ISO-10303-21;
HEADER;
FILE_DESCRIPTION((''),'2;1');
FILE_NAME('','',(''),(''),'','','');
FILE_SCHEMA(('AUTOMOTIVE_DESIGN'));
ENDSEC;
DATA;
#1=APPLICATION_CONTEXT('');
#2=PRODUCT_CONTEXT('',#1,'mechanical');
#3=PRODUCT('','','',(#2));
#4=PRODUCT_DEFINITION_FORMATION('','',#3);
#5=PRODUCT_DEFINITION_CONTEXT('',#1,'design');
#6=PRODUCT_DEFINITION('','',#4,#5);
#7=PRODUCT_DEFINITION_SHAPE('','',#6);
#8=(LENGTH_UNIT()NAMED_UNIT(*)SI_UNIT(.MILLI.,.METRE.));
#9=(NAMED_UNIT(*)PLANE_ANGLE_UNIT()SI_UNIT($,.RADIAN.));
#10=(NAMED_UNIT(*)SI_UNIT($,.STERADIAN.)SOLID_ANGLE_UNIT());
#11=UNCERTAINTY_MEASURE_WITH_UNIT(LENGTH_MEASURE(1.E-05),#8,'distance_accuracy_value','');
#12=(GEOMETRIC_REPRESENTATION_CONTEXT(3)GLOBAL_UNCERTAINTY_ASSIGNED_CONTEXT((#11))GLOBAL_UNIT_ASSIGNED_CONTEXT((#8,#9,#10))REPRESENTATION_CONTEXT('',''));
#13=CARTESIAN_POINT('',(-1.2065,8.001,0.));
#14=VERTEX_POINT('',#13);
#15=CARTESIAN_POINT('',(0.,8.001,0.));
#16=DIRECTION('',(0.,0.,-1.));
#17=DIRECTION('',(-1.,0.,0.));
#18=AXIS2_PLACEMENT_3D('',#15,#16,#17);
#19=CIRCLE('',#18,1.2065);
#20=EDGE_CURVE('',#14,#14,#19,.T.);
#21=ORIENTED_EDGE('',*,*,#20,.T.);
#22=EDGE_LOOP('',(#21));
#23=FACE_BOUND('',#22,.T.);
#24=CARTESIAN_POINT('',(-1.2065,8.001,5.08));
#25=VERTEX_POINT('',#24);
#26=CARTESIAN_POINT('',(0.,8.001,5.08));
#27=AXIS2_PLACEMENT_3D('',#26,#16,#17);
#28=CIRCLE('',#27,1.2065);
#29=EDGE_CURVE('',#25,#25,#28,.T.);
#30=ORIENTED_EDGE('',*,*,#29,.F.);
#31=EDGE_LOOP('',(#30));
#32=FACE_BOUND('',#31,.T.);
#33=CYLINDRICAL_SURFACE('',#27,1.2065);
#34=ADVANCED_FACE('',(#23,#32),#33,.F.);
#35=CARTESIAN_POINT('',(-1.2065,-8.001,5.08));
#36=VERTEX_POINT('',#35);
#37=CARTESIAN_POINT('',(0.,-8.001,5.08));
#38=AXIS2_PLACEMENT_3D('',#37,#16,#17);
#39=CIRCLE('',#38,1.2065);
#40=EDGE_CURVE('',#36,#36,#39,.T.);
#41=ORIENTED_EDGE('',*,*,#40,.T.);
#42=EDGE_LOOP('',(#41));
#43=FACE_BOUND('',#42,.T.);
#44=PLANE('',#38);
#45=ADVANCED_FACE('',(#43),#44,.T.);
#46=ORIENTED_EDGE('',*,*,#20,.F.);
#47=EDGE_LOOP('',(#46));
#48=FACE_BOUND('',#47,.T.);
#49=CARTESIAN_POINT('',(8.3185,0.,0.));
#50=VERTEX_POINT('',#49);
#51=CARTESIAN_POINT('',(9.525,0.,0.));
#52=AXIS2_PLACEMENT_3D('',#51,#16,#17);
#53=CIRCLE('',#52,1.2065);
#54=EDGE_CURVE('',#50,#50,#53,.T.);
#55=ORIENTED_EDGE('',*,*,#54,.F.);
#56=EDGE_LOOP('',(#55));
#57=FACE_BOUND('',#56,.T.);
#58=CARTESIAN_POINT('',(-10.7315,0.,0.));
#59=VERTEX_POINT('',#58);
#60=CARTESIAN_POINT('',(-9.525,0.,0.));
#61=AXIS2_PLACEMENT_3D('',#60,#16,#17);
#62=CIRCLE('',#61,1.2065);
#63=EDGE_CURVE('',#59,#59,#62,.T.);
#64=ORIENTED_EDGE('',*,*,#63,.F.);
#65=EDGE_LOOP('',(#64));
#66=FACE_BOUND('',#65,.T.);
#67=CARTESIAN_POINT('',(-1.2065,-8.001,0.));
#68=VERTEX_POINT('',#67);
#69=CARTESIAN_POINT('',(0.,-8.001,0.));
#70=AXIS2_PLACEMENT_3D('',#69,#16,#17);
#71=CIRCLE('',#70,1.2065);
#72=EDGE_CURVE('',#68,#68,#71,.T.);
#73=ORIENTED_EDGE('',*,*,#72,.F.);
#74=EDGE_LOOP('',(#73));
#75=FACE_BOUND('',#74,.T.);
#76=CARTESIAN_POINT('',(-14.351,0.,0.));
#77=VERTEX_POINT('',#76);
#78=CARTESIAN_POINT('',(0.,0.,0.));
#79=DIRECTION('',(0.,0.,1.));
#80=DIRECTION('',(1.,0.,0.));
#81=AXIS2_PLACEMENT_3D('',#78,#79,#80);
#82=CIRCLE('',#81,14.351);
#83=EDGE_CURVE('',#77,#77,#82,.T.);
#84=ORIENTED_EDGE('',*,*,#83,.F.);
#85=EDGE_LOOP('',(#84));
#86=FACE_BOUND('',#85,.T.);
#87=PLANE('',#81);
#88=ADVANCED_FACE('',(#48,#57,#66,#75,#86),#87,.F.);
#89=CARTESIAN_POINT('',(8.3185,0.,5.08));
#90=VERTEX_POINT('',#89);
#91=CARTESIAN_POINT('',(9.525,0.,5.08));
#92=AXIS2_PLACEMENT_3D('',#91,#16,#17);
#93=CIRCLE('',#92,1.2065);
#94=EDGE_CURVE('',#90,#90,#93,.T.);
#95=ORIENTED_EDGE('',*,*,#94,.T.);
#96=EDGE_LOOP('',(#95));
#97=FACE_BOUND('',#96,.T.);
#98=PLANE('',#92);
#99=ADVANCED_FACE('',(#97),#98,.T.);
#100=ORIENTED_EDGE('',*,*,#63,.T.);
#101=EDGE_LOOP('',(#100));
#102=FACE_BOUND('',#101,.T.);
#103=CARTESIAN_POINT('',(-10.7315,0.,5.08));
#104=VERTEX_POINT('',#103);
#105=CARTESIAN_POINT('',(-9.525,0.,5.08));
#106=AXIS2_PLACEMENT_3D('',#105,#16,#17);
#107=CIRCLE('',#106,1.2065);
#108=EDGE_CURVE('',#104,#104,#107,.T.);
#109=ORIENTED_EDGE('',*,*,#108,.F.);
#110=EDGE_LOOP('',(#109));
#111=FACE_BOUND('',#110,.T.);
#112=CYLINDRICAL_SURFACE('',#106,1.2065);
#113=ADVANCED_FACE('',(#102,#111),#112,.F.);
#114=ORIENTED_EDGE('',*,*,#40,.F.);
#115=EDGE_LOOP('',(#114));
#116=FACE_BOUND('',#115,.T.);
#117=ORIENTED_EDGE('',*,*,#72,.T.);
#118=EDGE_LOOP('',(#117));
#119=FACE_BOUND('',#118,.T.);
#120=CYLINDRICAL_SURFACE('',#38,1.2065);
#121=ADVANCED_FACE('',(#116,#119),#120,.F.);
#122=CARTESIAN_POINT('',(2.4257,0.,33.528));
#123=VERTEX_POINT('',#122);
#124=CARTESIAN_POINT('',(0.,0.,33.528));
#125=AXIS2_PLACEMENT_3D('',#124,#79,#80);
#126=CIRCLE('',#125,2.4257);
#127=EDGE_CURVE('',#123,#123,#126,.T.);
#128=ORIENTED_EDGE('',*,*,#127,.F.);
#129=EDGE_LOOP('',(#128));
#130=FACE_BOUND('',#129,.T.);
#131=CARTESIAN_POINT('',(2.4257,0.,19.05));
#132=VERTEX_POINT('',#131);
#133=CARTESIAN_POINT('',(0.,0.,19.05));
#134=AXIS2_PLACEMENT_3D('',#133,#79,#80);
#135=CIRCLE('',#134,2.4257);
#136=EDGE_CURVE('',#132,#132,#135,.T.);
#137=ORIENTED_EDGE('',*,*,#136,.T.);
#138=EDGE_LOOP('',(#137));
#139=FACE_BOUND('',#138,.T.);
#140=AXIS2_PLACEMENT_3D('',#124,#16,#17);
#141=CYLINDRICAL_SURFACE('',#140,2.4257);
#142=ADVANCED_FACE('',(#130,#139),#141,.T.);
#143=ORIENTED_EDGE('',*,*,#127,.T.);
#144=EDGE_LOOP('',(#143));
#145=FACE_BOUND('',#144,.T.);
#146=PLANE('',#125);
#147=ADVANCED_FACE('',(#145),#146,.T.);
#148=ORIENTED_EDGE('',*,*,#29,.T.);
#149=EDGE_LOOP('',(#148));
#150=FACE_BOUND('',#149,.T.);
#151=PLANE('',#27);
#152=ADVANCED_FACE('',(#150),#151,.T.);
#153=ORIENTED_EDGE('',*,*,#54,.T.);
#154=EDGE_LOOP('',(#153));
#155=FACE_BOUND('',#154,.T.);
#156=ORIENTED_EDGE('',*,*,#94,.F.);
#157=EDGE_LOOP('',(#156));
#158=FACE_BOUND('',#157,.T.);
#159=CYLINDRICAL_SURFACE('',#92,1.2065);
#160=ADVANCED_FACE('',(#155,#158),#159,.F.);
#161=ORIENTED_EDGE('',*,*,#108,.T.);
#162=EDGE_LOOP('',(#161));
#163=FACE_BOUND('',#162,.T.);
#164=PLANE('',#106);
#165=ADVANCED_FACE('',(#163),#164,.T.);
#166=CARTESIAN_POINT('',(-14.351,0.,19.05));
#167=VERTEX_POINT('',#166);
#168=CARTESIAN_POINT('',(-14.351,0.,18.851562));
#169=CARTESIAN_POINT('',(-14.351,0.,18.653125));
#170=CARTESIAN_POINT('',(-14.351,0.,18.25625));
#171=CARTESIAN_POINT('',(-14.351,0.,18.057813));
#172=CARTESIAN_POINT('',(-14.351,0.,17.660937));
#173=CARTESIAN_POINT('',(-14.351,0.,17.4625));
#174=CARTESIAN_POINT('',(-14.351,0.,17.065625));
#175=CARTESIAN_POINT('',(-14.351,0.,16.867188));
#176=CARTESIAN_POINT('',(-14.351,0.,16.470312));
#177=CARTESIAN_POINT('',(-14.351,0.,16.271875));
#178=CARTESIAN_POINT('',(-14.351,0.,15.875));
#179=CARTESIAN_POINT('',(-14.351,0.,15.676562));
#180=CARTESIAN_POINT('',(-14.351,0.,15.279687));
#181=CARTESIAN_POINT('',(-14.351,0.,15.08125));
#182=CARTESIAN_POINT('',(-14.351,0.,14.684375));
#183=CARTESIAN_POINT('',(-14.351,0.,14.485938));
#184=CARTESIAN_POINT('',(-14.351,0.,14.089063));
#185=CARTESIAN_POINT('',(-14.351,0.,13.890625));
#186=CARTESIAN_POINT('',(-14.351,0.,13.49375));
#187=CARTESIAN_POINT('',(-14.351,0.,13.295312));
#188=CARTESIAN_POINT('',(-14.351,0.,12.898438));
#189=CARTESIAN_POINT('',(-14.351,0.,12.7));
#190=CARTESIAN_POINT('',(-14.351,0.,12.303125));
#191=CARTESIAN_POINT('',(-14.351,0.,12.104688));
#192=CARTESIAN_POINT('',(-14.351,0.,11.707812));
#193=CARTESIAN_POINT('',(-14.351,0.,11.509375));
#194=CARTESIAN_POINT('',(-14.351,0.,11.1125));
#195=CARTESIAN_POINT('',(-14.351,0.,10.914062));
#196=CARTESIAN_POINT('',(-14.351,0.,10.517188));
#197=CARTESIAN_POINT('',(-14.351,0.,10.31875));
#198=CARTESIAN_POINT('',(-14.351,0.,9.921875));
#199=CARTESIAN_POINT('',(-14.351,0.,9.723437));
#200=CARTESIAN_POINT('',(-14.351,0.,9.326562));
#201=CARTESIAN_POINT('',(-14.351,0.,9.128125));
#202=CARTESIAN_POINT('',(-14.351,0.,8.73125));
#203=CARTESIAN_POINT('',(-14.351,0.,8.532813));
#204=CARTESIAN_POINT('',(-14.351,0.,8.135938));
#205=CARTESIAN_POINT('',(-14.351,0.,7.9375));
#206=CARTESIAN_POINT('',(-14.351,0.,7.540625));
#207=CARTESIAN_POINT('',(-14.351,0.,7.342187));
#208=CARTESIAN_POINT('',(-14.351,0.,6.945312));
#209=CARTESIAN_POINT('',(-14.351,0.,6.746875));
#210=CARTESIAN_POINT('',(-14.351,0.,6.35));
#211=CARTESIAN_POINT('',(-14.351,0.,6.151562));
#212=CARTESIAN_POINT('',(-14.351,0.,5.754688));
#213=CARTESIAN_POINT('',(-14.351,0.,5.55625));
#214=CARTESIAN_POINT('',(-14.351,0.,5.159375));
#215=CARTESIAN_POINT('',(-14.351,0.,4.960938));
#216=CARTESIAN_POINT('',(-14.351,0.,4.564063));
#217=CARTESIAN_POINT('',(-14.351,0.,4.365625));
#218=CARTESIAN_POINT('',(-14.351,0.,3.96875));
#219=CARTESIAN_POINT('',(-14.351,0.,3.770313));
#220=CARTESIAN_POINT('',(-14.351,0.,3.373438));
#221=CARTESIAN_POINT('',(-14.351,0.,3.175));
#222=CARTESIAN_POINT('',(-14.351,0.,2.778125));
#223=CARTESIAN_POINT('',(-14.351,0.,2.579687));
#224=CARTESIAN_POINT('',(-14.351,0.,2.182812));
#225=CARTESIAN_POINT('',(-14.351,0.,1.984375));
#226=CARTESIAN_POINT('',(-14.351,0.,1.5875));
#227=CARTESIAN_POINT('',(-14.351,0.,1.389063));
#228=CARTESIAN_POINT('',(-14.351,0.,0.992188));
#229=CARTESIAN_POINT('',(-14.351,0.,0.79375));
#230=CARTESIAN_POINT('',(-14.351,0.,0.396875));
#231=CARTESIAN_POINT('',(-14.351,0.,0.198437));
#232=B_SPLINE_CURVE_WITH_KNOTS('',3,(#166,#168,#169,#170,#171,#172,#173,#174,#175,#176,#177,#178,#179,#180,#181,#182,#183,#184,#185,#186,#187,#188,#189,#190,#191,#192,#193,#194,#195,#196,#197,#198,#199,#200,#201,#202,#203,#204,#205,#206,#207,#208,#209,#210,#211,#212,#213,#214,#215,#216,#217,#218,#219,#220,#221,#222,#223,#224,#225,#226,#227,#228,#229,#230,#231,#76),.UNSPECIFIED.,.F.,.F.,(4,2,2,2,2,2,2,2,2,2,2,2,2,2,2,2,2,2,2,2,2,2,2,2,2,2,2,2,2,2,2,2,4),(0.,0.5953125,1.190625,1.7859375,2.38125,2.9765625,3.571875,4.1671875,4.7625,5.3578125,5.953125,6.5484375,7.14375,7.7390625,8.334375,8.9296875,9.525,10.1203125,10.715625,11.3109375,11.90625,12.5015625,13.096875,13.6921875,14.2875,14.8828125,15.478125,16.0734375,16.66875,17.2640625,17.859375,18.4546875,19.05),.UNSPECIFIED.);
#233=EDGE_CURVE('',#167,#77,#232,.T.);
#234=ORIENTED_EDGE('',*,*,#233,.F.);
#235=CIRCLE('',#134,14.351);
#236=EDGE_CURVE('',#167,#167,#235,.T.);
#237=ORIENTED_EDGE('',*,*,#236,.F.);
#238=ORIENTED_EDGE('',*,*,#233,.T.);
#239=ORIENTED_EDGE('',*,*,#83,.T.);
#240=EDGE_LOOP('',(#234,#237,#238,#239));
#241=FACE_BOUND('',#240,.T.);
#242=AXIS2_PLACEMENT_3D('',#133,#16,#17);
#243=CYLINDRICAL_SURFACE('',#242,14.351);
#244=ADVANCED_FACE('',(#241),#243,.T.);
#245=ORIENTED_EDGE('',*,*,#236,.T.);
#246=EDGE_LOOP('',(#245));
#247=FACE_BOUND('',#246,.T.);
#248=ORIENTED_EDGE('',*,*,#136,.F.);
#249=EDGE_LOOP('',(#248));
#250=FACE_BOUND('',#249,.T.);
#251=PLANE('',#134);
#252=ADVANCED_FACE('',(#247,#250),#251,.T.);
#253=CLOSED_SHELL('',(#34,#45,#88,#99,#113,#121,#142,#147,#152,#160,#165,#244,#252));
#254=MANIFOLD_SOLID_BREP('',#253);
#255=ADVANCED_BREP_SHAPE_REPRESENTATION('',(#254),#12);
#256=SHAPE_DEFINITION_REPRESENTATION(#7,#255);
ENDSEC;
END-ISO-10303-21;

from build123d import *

# Parameters (mm, degrees)
SKETCH1_R           = 14.351
BOSS_EXTRUDE1_DEPTH = 19.05
SKETCH2_R           = 2.4257
BOSS_EXTRUDE2_DEPTH = 14.478
SKETCH3_R           = 1.2065
CUT_EXTRUDE1_DEPTH  = 5.08


with BuildPart() as part:
    # Sketch1 → Boss-Extrude1 (new body)
    with BuildSketch(Plane.XY):
        with Locations(Location((0, 0, 0), (0, 0, 180))):
            Circle(SKETCH1_R)
    extrude(amount=BOSS_EXTRUDE1_DEPTH)

    # Sketch2 → Boss-Extrude2 (add)
    with BuildSketch(Plane.XY.offset(19.05)):
        Circle(SKETCH2_R)
    extrude(amount=BOSS_EXTRUDE2_DEPTH)

    # Sketch3 → Cut-Extrude1 (cut)
    with BuildSketch(Plane(origin=(0, 0, 0), x_dir=(-1, 0, 0), z_dir=(0, 0, -1))):
        with Locations((0, 8.001)):
            Circle(SKETCH3_R)
        with Locations((9.525, 0)):
            Circle(SKETCH3_R)
        with Locations((0, -8.001)):
            Circle(SKETCH3_R)
        with Locations((-9.525, 0)):
            Circle(SKETCH3_R)
    extrude(amount=-CUT_EXTRUDE1_DEPTH, mode=Mode.SUBTRACT)


solid = part.part
